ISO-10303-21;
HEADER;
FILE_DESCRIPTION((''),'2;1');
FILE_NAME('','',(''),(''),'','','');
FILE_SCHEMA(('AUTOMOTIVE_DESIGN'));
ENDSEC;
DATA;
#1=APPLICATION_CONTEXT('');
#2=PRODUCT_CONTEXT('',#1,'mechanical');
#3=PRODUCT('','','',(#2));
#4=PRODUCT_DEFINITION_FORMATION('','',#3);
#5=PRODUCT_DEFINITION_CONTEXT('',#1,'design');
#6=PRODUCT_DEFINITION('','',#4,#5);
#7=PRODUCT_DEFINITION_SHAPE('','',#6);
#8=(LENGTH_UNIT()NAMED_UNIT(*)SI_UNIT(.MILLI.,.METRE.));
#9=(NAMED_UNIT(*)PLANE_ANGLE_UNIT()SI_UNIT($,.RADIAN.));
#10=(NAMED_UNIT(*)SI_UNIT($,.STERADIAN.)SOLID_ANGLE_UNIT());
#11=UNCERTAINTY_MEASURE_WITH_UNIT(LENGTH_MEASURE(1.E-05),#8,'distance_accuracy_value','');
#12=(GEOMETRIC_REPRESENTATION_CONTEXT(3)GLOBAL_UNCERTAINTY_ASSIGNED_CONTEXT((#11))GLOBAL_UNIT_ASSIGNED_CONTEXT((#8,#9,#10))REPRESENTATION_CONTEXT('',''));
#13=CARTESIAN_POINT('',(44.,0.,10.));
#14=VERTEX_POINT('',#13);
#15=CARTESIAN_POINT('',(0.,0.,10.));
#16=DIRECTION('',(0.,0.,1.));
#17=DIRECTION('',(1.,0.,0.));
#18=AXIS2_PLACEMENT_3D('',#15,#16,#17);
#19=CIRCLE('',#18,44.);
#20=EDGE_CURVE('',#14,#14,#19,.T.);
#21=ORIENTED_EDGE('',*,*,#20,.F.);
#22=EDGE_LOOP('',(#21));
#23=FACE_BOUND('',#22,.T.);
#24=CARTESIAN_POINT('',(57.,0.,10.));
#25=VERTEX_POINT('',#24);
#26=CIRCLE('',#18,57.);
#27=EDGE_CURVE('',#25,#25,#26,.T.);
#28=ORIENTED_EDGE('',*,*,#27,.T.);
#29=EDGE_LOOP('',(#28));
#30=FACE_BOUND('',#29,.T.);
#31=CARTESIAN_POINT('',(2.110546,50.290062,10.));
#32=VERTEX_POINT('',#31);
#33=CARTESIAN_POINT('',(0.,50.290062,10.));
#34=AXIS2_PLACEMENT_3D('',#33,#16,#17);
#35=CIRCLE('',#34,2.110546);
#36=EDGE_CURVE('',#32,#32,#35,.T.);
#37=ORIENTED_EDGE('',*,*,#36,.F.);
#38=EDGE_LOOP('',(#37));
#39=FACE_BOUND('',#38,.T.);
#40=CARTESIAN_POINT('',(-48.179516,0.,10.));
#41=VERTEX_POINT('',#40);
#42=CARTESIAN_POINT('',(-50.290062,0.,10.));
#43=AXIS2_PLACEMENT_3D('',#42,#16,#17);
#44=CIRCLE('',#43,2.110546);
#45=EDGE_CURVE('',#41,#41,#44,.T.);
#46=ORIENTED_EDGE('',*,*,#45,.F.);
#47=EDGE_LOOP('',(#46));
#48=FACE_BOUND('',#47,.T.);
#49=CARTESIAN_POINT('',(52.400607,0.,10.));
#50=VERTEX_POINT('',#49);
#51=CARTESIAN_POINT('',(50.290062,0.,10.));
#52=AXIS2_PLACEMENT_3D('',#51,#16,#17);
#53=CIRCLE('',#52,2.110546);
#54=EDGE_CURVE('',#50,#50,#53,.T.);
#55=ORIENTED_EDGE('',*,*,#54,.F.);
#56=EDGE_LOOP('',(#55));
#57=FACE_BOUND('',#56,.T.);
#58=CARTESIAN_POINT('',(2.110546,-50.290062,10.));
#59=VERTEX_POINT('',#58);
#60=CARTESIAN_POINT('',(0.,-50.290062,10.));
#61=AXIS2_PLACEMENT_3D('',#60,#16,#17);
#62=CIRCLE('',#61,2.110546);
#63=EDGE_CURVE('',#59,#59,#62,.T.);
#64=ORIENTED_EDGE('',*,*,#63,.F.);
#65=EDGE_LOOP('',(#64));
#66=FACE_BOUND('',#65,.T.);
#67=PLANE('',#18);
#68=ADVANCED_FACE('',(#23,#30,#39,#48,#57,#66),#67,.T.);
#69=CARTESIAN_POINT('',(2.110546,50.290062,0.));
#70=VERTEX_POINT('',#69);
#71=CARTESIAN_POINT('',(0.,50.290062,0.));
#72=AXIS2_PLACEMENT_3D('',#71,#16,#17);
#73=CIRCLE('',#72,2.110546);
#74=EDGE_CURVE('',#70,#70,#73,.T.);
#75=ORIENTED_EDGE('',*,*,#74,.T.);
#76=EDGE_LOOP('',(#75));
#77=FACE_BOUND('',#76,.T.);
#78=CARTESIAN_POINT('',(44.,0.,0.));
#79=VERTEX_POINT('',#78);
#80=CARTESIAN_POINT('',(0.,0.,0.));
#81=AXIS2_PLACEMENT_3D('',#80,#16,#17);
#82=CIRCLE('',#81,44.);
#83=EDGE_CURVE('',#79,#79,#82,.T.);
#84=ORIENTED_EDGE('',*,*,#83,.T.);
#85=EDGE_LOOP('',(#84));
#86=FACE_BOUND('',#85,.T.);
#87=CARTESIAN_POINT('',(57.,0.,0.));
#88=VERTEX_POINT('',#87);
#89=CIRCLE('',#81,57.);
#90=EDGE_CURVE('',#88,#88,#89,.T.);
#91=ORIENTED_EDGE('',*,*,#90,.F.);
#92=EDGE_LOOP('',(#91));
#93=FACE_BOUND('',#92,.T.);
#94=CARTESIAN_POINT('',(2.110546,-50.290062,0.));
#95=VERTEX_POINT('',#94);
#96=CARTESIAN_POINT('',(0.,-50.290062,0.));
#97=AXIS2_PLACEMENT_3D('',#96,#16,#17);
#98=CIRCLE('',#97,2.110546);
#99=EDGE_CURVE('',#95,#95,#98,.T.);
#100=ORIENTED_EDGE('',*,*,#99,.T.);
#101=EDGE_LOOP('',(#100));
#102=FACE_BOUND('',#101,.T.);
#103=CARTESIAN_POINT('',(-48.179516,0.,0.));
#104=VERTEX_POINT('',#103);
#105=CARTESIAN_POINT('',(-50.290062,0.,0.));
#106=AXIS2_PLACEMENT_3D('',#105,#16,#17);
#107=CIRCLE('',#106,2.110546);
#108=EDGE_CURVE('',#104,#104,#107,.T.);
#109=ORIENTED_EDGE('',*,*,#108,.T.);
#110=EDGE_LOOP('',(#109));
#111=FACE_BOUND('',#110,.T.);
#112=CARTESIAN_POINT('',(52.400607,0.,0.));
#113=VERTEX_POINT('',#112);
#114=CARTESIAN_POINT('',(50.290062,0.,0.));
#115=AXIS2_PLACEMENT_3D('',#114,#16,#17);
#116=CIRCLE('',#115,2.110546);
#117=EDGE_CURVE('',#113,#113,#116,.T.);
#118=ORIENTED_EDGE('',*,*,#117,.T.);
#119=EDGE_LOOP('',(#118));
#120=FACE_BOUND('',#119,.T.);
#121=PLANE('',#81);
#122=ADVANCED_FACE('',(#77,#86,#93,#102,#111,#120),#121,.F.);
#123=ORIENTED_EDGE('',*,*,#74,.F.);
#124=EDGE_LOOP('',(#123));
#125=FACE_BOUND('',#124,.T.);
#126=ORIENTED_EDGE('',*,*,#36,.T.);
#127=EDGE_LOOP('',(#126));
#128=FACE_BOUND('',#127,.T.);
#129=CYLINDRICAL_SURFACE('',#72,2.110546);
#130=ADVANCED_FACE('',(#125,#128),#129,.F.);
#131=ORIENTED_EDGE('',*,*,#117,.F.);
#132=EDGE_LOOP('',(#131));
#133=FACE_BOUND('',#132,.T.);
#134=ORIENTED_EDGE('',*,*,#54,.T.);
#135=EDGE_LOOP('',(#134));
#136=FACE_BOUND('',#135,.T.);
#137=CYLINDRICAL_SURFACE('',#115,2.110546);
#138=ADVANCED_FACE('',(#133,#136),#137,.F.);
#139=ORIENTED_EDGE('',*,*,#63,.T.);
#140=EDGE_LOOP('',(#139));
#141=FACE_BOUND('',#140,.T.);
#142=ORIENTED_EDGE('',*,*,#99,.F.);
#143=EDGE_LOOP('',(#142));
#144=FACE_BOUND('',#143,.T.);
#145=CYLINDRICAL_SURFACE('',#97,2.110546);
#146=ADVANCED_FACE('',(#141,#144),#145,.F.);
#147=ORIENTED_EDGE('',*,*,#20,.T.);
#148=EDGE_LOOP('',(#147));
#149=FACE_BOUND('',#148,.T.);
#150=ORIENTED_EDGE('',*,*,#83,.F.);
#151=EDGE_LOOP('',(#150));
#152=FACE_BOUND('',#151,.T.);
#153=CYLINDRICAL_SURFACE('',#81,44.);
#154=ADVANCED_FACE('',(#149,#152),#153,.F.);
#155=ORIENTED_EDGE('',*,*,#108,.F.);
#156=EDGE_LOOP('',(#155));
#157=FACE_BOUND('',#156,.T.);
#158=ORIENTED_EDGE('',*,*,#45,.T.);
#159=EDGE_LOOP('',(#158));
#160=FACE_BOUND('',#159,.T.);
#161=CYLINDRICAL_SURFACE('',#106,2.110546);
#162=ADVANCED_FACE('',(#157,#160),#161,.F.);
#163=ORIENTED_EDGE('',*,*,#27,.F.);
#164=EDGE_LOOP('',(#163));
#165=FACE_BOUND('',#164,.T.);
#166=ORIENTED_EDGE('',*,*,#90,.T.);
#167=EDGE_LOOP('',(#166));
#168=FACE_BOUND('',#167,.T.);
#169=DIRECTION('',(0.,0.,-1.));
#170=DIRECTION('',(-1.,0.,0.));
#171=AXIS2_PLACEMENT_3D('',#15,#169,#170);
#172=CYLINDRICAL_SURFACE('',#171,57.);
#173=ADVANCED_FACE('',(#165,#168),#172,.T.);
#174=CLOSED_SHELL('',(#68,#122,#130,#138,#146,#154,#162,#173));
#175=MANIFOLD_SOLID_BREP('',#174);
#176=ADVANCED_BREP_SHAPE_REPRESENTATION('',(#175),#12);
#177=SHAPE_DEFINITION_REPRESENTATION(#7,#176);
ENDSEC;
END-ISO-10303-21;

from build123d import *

# Parameters (mm, degrees)
SKETCH1_R           = 57
BOSS_EXTRUDE1_DEPTH = 10
SKETCH2_R           = 44
CUT_EXTRUDE1_DEPTH  = 10
SKETCH3_R           = 2.110545821
CUT_EXTRUDE2_DEPTH  = 10


with BuildPart() as part:
    # Sketch1 → Boss-Extrude1 (new body)
    with BuildSketch(Plane.XY):
        Circle(SKETCH1_R)
    extrude(amount=BOSS_EXTRUDE1_DEPTH)

    # Sketch2 → Cut-Extrude1 (cut)
    with BuildSketch(Plane.XY.offset(10)):
        Circle(SKETCH2_R)
    extrude(amount=-CUT_EXTRUDE1_DEPTH, mode=Mode.SUBTRACT)

    # Sketch3 → Cut-Extrude2 (cut)
    with BuildSketch(Plane.XY.offset(10)):
        with Locations((-50.290061508, 0)):
            Circle(SKETCH3_R)
        with Locations((0, 50.290061508)):
            Circle(SKETCH3_R)
        with Locations((50.290061508, 0)):
            Circle(SKETCH3_R)
        with Locations((0, -50.290061508)):
            Circle(SKETCH3_R)
    extrude(amount=-CUT_EXTRUDE2_DEPTH, mode=Mode.SUBTRACT)


solid = part.part
